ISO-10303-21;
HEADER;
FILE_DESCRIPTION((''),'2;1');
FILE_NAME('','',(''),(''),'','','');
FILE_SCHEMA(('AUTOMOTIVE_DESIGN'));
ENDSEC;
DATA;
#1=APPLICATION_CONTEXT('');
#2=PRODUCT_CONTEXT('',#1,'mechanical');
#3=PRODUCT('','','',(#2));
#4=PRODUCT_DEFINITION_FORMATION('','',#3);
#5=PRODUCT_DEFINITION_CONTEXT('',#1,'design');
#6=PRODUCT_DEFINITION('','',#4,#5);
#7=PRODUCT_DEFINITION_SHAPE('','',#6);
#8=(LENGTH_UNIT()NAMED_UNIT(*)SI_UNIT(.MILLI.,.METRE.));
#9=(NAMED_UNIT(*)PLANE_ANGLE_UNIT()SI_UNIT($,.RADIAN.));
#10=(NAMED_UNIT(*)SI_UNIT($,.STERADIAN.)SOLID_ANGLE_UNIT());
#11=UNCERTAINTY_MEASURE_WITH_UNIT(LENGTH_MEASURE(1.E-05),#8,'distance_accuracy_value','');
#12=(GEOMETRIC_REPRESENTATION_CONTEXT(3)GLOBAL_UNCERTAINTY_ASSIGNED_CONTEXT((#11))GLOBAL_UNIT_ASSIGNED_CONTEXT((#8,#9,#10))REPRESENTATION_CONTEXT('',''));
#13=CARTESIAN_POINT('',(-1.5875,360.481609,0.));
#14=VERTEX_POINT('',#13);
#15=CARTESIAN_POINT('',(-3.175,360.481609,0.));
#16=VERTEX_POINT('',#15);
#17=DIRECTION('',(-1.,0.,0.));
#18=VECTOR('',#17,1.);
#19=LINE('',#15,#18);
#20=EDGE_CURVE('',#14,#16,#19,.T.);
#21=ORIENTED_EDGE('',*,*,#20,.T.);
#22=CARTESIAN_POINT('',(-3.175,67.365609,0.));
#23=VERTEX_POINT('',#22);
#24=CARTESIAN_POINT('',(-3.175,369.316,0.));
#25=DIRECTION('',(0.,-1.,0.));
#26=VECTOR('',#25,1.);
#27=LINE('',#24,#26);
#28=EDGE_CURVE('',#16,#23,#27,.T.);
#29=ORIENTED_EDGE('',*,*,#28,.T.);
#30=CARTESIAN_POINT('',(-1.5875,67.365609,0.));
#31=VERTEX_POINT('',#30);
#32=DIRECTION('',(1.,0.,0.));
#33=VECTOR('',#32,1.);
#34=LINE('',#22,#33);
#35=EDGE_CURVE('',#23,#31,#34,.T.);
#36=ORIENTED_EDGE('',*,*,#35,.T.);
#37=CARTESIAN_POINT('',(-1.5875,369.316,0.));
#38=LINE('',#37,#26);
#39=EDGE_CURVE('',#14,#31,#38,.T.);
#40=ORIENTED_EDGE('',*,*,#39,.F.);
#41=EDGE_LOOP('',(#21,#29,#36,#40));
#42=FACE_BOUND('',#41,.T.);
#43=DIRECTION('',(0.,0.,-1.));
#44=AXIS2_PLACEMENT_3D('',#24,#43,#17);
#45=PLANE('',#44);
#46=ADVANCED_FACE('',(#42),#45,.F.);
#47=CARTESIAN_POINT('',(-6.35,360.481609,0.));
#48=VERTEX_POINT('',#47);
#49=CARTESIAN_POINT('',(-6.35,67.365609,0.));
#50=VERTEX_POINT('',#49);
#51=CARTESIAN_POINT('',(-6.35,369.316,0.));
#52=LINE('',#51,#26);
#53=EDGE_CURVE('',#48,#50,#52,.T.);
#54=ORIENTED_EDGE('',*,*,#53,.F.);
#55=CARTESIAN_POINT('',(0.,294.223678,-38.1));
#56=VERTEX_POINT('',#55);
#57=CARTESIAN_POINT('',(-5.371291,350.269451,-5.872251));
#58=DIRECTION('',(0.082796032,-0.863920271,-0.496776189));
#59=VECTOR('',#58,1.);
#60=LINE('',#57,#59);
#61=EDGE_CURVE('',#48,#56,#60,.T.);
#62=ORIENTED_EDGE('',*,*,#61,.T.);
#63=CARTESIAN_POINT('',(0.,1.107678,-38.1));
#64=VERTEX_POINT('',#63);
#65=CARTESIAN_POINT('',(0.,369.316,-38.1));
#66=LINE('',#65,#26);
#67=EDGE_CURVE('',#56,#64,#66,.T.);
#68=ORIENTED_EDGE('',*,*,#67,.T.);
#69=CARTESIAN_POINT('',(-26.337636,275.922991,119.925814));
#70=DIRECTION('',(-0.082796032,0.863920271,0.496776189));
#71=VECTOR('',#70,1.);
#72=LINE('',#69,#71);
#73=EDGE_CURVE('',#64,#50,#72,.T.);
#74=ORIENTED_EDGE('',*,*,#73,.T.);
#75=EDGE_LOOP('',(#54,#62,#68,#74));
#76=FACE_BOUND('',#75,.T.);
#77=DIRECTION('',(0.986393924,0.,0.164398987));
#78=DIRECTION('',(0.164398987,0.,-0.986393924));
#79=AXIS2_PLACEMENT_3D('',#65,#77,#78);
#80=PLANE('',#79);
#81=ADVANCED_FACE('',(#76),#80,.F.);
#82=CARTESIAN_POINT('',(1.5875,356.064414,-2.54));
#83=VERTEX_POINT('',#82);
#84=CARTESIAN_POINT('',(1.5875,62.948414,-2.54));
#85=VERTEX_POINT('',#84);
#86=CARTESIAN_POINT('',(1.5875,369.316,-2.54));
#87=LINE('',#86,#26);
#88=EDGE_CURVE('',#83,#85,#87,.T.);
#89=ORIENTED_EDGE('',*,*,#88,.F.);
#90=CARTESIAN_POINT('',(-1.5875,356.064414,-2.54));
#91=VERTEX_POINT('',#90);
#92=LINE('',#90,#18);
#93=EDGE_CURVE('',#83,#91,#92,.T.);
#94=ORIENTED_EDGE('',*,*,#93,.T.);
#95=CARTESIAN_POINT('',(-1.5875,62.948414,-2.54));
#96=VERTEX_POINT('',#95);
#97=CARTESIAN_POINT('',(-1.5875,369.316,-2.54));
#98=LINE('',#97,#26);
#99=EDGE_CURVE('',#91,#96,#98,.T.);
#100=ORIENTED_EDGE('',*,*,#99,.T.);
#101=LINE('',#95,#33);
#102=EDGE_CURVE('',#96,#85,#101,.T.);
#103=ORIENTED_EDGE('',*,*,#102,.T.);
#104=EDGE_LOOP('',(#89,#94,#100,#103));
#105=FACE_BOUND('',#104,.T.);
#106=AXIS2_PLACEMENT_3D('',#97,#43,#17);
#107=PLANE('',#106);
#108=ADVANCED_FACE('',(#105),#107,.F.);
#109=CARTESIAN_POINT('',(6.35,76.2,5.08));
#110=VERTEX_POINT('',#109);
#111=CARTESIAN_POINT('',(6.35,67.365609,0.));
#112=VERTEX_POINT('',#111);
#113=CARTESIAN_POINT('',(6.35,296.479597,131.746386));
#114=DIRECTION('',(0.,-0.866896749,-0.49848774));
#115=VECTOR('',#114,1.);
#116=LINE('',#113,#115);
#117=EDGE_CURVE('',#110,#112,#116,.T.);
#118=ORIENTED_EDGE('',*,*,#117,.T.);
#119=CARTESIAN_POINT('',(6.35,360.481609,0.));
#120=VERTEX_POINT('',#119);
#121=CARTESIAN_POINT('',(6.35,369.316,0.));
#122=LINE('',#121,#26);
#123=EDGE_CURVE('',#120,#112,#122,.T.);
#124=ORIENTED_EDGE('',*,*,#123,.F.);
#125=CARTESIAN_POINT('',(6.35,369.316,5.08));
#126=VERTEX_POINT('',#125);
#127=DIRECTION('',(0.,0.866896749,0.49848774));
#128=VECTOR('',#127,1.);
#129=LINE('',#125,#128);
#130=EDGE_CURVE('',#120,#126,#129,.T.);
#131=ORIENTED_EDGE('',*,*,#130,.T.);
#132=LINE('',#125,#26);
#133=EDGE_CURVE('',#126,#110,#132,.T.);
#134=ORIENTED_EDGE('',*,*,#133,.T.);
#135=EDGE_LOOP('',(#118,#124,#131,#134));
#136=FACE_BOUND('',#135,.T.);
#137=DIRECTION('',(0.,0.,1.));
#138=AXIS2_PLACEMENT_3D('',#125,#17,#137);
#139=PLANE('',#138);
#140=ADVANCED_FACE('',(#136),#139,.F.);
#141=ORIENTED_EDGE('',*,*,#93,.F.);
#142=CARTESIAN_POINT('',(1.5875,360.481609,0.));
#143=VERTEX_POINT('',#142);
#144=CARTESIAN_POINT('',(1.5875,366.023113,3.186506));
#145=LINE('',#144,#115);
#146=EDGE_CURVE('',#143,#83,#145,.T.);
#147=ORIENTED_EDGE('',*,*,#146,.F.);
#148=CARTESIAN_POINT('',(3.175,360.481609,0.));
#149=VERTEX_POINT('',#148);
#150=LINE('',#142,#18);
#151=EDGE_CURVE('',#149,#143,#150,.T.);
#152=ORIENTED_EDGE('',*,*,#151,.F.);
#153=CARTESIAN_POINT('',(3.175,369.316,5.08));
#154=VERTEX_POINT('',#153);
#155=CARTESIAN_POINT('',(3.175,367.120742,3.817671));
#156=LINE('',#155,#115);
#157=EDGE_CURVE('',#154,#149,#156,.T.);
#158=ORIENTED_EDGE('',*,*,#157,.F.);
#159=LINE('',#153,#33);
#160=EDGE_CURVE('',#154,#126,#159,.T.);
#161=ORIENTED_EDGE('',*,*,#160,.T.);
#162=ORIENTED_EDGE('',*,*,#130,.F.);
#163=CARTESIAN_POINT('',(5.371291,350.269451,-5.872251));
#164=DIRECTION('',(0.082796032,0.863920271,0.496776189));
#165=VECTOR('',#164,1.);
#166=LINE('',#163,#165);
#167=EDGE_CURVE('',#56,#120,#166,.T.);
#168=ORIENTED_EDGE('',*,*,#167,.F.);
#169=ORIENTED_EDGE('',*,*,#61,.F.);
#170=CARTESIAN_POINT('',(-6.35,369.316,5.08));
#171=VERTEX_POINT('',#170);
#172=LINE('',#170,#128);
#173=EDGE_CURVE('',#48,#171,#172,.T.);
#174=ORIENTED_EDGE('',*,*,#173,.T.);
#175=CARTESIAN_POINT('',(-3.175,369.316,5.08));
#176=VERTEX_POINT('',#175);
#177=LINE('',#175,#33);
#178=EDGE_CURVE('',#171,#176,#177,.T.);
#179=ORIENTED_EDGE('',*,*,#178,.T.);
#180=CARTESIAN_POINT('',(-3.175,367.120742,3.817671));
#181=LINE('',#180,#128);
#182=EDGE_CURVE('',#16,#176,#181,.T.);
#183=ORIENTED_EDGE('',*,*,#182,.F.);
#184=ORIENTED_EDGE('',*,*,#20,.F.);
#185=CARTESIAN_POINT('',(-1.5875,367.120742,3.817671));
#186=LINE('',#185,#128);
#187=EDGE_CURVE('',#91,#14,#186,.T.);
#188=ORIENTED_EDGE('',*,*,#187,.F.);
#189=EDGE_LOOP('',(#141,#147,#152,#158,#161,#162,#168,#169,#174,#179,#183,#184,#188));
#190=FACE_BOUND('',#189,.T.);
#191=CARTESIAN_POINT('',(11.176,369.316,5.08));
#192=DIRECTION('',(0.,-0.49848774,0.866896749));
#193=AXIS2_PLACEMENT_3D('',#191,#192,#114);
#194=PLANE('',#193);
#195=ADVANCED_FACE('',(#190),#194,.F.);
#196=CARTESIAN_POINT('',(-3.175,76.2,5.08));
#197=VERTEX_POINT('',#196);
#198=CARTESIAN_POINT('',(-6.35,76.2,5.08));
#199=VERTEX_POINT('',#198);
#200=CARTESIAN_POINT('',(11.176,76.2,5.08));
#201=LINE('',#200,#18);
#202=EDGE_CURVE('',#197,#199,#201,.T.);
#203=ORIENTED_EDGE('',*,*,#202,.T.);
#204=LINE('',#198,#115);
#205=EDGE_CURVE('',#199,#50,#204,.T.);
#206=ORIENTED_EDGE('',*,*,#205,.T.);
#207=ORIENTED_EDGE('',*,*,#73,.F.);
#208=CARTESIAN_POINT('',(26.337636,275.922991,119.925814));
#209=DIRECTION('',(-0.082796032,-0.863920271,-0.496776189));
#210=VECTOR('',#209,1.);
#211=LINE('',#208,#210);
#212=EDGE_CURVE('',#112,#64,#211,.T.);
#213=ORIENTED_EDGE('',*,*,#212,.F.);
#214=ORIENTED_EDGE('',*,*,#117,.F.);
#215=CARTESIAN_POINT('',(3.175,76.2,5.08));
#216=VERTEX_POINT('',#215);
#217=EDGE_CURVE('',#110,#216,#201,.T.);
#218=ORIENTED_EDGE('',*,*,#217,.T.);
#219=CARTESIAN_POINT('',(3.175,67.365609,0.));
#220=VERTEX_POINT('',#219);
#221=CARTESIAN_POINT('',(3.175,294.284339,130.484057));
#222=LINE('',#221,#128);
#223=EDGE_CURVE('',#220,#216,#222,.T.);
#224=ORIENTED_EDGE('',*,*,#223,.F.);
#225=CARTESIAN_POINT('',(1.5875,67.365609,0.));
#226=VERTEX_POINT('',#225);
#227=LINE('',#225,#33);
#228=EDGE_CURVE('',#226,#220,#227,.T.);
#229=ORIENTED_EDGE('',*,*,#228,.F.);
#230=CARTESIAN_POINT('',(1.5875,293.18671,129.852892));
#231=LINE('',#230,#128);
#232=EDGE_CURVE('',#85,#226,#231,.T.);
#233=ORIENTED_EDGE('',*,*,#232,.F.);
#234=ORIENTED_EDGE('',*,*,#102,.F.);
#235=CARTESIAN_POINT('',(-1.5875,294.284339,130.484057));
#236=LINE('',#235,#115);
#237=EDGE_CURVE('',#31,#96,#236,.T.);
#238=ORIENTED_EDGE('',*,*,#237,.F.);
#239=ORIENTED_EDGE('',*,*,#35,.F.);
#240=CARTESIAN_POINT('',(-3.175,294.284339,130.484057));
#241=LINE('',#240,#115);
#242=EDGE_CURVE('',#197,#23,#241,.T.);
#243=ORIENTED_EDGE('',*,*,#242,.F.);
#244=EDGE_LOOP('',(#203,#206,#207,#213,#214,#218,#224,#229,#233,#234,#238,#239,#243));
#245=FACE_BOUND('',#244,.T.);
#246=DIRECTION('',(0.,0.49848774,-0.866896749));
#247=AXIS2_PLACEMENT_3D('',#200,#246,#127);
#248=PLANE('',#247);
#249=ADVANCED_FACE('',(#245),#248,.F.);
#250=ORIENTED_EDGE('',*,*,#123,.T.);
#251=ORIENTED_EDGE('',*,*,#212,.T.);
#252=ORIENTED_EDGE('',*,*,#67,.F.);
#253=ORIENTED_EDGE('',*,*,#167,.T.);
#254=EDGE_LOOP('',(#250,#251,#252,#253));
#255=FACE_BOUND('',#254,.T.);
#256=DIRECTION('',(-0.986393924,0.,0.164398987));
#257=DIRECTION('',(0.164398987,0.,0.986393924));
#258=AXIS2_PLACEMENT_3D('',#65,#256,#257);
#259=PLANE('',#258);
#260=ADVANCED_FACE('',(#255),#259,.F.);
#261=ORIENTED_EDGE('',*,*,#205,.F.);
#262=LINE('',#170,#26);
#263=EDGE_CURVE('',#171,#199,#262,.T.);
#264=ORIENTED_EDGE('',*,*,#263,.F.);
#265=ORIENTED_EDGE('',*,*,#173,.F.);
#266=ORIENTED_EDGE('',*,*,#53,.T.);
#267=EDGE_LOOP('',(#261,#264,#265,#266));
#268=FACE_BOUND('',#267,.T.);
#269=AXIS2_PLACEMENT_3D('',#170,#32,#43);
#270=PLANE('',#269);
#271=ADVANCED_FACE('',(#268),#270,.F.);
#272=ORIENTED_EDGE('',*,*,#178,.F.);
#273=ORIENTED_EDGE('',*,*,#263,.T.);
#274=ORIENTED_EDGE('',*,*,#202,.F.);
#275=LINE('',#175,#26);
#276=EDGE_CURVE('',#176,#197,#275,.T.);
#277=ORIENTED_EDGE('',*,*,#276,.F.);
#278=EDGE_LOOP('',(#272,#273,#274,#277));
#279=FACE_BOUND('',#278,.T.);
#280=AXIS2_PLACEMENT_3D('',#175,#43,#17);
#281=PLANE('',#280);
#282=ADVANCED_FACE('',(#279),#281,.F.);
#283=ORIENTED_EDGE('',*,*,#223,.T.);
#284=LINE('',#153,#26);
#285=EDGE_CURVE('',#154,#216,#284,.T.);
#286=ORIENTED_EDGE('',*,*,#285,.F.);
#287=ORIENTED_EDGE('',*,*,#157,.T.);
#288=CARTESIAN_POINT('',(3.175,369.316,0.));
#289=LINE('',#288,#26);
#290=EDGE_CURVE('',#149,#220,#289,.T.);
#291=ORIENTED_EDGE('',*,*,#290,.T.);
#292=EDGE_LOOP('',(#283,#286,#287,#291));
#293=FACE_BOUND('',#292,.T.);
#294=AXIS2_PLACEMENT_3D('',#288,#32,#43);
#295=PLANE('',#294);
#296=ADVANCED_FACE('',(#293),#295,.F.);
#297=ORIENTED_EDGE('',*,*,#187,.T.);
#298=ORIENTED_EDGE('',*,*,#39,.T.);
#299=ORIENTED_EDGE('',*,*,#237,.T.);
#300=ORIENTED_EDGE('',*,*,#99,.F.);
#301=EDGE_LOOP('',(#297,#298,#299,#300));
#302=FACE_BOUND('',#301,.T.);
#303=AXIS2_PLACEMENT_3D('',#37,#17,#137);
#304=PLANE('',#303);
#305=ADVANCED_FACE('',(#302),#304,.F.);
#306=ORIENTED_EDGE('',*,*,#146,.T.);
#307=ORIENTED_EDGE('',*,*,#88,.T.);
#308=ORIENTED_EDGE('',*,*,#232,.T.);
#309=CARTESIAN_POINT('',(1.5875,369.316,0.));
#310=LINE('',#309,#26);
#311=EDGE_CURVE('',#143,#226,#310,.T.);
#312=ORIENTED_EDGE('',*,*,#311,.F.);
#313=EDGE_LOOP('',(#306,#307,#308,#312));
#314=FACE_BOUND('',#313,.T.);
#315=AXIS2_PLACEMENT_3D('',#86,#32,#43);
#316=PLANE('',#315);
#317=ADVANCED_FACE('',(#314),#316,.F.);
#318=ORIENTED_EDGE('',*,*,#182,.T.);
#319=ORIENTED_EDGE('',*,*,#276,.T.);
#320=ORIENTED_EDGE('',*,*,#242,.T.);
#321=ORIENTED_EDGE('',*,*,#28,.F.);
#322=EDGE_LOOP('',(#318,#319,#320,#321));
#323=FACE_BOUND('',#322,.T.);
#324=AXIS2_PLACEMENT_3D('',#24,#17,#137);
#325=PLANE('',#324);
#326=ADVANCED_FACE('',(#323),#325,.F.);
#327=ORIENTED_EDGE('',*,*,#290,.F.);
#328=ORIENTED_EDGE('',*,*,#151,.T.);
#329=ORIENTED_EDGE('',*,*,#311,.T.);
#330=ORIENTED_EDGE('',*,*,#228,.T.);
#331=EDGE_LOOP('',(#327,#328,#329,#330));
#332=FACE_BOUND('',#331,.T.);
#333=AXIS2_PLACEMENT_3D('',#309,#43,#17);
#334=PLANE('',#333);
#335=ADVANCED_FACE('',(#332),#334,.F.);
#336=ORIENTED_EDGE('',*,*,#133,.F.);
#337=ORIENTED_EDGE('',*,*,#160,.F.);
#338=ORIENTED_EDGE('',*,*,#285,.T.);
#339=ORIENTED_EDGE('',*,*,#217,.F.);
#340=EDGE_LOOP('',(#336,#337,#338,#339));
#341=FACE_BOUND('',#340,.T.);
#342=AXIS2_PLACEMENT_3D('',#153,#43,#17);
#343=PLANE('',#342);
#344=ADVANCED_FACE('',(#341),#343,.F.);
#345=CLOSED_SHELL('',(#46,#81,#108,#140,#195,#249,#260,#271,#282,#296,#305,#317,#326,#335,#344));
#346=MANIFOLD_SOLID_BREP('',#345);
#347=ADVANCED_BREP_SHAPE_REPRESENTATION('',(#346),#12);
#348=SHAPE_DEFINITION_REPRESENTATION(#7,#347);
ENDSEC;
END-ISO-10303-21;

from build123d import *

# Parameters (mm, degrees)
BOSS_EXTRUDE1_DEPTH = 369.316
CUT_EXTRUDE1_DEPTH  = 17.526
CUT_EXTRUDE2_DEPTH  = 17.526


with BuildPart() as part:
    # Sketch1 → Boss-Extrude1 (new body)
    with BuildSketch(Plane(origin=(0, 0, 0), x_dir=(1, 0, 0), z_dir=(0, 1, 0))):
        Polygon((0, 38.1), (-6.35, 0), (-6.35, -5.08), (-3.175, -5.08), (-3.175, 0), (-1.5875, 0), (-1.5875, 2.54), (1.5875, 2.54), (1.5875, 0), (3.175, 0), (3.175, -5.08), (6.35, -5.08), (6.35, 0), align=None)
    extrude(amount=BOSS_EXTRUDE1_DEPTH)

    # Sketch2 → Cut-Extrude1 (cut)
    with BuildSketch(Plane.ZY.offset(6.35)):
        Polygon((5.08, 369.316), (-38.1, 294.223678497), (-38.1, 369.316), align=None)
    extrude(amount=-CUT_EXTRUDE1_DEPTH, mode=Mode.SUBTRACT)

    # Sketch3 → Cut-Extrude2 (cut)
    with BuildSketch(Plane.ZY.offset(6.35)):
        Polygon((5.08, 76.2), (-38.1, 1.107678497), (-38.1, 0), (5.08, 0), align=None)
    extrude(amount=-CUT_EXTRUDE2_DEPTH, mode=Mode.SUBTRACT)


solid = part.part
